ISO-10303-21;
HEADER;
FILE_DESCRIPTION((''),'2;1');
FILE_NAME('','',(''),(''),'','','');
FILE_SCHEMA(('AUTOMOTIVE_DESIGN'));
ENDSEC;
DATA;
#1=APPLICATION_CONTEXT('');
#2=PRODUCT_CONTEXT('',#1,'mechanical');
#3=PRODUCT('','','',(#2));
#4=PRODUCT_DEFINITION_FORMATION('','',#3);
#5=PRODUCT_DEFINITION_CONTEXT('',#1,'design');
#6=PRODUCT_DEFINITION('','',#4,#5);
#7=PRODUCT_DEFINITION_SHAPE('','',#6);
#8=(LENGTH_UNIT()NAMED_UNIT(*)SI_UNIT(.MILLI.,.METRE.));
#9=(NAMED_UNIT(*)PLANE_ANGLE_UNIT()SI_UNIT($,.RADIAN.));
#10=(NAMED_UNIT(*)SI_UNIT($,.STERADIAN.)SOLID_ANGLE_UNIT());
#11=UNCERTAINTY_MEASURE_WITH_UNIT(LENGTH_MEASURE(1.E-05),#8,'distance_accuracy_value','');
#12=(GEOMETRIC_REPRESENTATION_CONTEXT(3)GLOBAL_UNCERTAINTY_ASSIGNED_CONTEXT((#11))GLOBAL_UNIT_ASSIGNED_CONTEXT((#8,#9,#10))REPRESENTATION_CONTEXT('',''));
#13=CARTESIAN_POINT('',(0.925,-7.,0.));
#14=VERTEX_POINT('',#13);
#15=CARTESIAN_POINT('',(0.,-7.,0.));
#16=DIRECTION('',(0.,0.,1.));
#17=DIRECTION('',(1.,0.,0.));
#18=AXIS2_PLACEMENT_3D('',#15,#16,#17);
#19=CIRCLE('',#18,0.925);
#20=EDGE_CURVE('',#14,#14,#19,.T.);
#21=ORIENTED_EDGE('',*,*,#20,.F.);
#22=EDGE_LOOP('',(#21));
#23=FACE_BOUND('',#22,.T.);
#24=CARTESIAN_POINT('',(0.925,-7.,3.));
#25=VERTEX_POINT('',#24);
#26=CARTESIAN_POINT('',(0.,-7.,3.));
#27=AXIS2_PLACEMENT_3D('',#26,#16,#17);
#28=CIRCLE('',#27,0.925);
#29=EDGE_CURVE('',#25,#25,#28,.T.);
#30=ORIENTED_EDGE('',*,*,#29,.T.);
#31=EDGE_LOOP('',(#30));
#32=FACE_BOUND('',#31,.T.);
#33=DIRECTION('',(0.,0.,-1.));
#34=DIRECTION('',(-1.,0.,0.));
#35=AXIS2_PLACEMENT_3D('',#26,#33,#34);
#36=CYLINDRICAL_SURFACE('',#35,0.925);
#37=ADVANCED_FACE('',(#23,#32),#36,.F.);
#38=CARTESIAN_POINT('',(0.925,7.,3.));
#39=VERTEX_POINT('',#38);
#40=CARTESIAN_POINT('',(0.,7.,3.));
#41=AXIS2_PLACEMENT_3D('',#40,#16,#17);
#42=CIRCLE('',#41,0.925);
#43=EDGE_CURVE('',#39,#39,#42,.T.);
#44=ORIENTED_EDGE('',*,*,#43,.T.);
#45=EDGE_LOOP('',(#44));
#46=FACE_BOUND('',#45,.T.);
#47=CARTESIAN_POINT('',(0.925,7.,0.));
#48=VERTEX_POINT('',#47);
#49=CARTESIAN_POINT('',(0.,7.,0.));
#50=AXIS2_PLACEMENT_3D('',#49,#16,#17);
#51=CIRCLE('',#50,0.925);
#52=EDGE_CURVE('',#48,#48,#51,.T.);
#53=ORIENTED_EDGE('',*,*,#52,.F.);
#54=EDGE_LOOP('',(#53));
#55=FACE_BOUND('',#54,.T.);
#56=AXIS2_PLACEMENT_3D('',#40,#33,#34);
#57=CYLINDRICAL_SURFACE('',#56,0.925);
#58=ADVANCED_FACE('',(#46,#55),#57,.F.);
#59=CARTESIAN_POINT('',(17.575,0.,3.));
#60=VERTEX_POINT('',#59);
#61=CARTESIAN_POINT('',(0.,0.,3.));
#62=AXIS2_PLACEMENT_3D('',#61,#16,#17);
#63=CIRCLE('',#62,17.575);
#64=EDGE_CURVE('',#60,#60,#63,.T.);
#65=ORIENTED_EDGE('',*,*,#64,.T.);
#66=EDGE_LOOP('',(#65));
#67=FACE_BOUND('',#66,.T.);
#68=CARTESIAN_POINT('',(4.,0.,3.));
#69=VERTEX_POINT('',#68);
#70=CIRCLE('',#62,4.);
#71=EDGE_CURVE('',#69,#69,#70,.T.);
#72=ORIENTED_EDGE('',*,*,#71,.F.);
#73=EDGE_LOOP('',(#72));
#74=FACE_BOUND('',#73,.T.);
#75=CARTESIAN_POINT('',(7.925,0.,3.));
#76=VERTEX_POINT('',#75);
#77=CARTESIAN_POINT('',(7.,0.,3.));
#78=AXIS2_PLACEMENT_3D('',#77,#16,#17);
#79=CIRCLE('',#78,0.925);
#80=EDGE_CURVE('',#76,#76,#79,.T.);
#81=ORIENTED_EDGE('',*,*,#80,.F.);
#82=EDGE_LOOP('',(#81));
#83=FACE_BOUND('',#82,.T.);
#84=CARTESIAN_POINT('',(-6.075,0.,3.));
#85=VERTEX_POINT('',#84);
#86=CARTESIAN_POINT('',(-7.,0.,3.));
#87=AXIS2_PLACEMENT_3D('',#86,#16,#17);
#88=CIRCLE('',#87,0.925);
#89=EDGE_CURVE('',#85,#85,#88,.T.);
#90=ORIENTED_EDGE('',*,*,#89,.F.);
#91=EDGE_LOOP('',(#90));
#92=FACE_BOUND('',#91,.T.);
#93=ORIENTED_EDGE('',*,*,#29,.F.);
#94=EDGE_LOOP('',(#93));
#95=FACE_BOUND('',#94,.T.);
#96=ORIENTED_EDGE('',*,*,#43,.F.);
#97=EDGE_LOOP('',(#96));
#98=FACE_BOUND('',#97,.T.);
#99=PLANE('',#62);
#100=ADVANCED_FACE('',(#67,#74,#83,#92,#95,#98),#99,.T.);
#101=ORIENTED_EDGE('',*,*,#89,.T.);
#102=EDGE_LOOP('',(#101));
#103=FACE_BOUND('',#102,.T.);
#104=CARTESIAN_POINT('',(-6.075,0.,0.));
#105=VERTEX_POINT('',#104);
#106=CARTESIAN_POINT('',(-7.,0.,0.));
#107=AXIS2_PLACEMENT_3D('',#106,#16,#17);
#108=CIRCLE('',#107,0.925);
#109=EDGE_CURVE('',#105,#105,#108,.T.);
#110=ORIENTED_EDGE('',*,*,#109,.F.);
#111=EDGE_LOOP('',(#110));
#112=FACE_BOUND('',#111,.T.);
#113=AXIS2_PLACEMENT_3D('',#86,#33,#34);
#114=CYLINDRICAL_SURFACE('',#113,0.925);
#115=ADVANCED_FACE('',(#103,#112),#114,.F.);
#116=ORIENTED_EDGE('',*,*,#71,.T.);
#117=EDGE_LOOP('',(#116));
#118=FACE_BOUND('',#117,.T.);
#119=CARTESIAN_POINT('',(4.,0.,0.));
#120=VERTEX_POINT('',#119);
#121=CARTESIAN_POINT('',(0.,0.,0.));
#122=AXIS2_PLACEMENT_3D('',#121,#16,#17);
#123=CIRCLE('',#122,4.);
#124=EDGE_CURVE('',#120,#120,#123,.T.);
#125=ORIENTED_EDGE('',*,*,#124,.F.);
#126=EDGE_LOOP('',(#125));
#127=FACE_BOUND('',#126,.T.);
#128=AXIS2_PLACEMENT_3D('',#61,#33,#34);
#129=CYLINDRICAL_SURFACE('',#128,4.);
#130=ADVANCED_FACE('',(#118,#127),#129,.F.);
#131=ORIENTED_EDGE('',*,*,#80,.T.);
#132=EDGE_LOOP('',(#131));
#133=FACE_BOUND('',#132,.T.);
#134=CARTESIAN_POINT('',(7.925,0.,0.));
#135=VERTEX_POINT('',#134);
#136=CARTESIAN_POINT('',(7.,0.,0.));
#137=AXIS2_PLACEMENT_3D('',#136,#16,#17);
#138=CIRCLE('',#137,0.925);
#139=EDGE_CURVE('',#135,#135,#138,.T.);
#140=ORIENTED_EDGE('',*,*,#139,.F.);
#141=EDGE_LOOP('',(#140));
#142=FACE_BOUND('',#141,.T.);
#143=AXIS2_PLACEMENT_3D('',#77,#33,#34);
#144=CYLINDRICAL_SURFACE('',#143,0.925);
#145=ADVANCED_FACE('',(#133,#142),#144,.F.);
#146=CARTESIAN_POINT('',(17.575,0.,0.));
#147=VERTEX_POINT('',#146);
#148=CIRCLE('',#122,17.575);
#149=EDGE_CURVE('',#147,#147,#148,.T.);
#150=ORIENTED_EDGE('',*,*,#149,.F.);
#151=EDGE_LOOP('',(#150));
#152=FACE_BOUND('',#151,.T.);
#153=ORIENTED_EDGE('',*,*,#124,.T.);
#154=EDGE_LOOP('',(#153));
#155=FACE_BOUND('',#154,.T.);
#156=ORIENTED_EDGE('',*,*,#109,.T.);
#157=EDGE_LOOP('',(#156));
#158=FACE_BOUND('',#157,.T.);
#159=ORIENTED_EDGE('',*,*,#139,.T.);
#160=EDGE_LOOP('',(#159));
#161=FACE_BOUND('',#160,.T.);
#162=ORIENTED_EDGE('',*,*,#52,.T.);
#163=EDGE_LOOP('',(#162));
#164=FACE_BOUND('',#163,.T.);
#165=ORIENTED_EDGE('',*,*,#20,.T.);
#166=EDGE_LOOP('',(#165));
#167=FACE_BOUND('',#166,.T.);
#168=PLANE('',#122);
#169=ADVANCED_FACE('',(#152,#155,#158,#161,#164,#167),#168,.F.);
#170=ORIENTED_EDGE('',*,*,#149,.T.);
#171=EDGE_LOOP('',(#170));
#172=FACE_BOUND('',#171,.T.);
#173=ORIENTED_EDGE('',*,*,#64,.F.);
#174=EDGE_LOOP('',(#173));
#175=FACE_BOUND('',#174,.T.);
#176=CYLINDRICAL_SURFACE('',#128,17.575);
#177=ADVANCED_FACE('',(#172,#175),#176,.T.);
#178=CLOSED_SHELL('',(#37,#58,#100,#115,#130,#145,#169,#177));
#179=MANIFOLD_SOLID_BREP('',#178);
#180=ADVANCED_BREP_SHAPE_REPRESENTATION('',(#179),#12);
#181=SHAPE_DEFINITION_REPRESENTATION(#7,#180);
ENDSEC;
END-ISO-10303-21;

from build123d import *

# Parameters (mm, degrees)
ESQUISSE1_R        = 17.575
ESQUISSE1_R_2      = 0.925
ESQUISSE1_R_3      = 4
BOSS_EXTRU_1_DEPTH = 3


with BuildPart() as part:
    # Esquisse1 → Boss.-Extru.1 (new body)
    with BuildSketch(Plane.XY):
        Circle(ESQUISSE1_R)
        with Locations((7, 0)):
            Circle(ESQUISSE1_R_2, mode=Mode.SUBTRACT)
        with Locations((0, -7)):
            Circle(ESQUISSE1_R_2, mode=Mode.SUBTRACT)
        with Locations((-7, 0)):
            Circle(ESQUISSE1_R_2, mode=Mode.SUBTRACT)
        with Locations((0, 7)):
            Circle(ESQUISSE1_R_2, mode=Mode.SUBTRACT)
        Circle(ESQUISSE1_R_3, mode=Mode.SUBTRACT)
    extrude(amount=BOSS_EXTRU_1_DEPTH)


solid = part.part
